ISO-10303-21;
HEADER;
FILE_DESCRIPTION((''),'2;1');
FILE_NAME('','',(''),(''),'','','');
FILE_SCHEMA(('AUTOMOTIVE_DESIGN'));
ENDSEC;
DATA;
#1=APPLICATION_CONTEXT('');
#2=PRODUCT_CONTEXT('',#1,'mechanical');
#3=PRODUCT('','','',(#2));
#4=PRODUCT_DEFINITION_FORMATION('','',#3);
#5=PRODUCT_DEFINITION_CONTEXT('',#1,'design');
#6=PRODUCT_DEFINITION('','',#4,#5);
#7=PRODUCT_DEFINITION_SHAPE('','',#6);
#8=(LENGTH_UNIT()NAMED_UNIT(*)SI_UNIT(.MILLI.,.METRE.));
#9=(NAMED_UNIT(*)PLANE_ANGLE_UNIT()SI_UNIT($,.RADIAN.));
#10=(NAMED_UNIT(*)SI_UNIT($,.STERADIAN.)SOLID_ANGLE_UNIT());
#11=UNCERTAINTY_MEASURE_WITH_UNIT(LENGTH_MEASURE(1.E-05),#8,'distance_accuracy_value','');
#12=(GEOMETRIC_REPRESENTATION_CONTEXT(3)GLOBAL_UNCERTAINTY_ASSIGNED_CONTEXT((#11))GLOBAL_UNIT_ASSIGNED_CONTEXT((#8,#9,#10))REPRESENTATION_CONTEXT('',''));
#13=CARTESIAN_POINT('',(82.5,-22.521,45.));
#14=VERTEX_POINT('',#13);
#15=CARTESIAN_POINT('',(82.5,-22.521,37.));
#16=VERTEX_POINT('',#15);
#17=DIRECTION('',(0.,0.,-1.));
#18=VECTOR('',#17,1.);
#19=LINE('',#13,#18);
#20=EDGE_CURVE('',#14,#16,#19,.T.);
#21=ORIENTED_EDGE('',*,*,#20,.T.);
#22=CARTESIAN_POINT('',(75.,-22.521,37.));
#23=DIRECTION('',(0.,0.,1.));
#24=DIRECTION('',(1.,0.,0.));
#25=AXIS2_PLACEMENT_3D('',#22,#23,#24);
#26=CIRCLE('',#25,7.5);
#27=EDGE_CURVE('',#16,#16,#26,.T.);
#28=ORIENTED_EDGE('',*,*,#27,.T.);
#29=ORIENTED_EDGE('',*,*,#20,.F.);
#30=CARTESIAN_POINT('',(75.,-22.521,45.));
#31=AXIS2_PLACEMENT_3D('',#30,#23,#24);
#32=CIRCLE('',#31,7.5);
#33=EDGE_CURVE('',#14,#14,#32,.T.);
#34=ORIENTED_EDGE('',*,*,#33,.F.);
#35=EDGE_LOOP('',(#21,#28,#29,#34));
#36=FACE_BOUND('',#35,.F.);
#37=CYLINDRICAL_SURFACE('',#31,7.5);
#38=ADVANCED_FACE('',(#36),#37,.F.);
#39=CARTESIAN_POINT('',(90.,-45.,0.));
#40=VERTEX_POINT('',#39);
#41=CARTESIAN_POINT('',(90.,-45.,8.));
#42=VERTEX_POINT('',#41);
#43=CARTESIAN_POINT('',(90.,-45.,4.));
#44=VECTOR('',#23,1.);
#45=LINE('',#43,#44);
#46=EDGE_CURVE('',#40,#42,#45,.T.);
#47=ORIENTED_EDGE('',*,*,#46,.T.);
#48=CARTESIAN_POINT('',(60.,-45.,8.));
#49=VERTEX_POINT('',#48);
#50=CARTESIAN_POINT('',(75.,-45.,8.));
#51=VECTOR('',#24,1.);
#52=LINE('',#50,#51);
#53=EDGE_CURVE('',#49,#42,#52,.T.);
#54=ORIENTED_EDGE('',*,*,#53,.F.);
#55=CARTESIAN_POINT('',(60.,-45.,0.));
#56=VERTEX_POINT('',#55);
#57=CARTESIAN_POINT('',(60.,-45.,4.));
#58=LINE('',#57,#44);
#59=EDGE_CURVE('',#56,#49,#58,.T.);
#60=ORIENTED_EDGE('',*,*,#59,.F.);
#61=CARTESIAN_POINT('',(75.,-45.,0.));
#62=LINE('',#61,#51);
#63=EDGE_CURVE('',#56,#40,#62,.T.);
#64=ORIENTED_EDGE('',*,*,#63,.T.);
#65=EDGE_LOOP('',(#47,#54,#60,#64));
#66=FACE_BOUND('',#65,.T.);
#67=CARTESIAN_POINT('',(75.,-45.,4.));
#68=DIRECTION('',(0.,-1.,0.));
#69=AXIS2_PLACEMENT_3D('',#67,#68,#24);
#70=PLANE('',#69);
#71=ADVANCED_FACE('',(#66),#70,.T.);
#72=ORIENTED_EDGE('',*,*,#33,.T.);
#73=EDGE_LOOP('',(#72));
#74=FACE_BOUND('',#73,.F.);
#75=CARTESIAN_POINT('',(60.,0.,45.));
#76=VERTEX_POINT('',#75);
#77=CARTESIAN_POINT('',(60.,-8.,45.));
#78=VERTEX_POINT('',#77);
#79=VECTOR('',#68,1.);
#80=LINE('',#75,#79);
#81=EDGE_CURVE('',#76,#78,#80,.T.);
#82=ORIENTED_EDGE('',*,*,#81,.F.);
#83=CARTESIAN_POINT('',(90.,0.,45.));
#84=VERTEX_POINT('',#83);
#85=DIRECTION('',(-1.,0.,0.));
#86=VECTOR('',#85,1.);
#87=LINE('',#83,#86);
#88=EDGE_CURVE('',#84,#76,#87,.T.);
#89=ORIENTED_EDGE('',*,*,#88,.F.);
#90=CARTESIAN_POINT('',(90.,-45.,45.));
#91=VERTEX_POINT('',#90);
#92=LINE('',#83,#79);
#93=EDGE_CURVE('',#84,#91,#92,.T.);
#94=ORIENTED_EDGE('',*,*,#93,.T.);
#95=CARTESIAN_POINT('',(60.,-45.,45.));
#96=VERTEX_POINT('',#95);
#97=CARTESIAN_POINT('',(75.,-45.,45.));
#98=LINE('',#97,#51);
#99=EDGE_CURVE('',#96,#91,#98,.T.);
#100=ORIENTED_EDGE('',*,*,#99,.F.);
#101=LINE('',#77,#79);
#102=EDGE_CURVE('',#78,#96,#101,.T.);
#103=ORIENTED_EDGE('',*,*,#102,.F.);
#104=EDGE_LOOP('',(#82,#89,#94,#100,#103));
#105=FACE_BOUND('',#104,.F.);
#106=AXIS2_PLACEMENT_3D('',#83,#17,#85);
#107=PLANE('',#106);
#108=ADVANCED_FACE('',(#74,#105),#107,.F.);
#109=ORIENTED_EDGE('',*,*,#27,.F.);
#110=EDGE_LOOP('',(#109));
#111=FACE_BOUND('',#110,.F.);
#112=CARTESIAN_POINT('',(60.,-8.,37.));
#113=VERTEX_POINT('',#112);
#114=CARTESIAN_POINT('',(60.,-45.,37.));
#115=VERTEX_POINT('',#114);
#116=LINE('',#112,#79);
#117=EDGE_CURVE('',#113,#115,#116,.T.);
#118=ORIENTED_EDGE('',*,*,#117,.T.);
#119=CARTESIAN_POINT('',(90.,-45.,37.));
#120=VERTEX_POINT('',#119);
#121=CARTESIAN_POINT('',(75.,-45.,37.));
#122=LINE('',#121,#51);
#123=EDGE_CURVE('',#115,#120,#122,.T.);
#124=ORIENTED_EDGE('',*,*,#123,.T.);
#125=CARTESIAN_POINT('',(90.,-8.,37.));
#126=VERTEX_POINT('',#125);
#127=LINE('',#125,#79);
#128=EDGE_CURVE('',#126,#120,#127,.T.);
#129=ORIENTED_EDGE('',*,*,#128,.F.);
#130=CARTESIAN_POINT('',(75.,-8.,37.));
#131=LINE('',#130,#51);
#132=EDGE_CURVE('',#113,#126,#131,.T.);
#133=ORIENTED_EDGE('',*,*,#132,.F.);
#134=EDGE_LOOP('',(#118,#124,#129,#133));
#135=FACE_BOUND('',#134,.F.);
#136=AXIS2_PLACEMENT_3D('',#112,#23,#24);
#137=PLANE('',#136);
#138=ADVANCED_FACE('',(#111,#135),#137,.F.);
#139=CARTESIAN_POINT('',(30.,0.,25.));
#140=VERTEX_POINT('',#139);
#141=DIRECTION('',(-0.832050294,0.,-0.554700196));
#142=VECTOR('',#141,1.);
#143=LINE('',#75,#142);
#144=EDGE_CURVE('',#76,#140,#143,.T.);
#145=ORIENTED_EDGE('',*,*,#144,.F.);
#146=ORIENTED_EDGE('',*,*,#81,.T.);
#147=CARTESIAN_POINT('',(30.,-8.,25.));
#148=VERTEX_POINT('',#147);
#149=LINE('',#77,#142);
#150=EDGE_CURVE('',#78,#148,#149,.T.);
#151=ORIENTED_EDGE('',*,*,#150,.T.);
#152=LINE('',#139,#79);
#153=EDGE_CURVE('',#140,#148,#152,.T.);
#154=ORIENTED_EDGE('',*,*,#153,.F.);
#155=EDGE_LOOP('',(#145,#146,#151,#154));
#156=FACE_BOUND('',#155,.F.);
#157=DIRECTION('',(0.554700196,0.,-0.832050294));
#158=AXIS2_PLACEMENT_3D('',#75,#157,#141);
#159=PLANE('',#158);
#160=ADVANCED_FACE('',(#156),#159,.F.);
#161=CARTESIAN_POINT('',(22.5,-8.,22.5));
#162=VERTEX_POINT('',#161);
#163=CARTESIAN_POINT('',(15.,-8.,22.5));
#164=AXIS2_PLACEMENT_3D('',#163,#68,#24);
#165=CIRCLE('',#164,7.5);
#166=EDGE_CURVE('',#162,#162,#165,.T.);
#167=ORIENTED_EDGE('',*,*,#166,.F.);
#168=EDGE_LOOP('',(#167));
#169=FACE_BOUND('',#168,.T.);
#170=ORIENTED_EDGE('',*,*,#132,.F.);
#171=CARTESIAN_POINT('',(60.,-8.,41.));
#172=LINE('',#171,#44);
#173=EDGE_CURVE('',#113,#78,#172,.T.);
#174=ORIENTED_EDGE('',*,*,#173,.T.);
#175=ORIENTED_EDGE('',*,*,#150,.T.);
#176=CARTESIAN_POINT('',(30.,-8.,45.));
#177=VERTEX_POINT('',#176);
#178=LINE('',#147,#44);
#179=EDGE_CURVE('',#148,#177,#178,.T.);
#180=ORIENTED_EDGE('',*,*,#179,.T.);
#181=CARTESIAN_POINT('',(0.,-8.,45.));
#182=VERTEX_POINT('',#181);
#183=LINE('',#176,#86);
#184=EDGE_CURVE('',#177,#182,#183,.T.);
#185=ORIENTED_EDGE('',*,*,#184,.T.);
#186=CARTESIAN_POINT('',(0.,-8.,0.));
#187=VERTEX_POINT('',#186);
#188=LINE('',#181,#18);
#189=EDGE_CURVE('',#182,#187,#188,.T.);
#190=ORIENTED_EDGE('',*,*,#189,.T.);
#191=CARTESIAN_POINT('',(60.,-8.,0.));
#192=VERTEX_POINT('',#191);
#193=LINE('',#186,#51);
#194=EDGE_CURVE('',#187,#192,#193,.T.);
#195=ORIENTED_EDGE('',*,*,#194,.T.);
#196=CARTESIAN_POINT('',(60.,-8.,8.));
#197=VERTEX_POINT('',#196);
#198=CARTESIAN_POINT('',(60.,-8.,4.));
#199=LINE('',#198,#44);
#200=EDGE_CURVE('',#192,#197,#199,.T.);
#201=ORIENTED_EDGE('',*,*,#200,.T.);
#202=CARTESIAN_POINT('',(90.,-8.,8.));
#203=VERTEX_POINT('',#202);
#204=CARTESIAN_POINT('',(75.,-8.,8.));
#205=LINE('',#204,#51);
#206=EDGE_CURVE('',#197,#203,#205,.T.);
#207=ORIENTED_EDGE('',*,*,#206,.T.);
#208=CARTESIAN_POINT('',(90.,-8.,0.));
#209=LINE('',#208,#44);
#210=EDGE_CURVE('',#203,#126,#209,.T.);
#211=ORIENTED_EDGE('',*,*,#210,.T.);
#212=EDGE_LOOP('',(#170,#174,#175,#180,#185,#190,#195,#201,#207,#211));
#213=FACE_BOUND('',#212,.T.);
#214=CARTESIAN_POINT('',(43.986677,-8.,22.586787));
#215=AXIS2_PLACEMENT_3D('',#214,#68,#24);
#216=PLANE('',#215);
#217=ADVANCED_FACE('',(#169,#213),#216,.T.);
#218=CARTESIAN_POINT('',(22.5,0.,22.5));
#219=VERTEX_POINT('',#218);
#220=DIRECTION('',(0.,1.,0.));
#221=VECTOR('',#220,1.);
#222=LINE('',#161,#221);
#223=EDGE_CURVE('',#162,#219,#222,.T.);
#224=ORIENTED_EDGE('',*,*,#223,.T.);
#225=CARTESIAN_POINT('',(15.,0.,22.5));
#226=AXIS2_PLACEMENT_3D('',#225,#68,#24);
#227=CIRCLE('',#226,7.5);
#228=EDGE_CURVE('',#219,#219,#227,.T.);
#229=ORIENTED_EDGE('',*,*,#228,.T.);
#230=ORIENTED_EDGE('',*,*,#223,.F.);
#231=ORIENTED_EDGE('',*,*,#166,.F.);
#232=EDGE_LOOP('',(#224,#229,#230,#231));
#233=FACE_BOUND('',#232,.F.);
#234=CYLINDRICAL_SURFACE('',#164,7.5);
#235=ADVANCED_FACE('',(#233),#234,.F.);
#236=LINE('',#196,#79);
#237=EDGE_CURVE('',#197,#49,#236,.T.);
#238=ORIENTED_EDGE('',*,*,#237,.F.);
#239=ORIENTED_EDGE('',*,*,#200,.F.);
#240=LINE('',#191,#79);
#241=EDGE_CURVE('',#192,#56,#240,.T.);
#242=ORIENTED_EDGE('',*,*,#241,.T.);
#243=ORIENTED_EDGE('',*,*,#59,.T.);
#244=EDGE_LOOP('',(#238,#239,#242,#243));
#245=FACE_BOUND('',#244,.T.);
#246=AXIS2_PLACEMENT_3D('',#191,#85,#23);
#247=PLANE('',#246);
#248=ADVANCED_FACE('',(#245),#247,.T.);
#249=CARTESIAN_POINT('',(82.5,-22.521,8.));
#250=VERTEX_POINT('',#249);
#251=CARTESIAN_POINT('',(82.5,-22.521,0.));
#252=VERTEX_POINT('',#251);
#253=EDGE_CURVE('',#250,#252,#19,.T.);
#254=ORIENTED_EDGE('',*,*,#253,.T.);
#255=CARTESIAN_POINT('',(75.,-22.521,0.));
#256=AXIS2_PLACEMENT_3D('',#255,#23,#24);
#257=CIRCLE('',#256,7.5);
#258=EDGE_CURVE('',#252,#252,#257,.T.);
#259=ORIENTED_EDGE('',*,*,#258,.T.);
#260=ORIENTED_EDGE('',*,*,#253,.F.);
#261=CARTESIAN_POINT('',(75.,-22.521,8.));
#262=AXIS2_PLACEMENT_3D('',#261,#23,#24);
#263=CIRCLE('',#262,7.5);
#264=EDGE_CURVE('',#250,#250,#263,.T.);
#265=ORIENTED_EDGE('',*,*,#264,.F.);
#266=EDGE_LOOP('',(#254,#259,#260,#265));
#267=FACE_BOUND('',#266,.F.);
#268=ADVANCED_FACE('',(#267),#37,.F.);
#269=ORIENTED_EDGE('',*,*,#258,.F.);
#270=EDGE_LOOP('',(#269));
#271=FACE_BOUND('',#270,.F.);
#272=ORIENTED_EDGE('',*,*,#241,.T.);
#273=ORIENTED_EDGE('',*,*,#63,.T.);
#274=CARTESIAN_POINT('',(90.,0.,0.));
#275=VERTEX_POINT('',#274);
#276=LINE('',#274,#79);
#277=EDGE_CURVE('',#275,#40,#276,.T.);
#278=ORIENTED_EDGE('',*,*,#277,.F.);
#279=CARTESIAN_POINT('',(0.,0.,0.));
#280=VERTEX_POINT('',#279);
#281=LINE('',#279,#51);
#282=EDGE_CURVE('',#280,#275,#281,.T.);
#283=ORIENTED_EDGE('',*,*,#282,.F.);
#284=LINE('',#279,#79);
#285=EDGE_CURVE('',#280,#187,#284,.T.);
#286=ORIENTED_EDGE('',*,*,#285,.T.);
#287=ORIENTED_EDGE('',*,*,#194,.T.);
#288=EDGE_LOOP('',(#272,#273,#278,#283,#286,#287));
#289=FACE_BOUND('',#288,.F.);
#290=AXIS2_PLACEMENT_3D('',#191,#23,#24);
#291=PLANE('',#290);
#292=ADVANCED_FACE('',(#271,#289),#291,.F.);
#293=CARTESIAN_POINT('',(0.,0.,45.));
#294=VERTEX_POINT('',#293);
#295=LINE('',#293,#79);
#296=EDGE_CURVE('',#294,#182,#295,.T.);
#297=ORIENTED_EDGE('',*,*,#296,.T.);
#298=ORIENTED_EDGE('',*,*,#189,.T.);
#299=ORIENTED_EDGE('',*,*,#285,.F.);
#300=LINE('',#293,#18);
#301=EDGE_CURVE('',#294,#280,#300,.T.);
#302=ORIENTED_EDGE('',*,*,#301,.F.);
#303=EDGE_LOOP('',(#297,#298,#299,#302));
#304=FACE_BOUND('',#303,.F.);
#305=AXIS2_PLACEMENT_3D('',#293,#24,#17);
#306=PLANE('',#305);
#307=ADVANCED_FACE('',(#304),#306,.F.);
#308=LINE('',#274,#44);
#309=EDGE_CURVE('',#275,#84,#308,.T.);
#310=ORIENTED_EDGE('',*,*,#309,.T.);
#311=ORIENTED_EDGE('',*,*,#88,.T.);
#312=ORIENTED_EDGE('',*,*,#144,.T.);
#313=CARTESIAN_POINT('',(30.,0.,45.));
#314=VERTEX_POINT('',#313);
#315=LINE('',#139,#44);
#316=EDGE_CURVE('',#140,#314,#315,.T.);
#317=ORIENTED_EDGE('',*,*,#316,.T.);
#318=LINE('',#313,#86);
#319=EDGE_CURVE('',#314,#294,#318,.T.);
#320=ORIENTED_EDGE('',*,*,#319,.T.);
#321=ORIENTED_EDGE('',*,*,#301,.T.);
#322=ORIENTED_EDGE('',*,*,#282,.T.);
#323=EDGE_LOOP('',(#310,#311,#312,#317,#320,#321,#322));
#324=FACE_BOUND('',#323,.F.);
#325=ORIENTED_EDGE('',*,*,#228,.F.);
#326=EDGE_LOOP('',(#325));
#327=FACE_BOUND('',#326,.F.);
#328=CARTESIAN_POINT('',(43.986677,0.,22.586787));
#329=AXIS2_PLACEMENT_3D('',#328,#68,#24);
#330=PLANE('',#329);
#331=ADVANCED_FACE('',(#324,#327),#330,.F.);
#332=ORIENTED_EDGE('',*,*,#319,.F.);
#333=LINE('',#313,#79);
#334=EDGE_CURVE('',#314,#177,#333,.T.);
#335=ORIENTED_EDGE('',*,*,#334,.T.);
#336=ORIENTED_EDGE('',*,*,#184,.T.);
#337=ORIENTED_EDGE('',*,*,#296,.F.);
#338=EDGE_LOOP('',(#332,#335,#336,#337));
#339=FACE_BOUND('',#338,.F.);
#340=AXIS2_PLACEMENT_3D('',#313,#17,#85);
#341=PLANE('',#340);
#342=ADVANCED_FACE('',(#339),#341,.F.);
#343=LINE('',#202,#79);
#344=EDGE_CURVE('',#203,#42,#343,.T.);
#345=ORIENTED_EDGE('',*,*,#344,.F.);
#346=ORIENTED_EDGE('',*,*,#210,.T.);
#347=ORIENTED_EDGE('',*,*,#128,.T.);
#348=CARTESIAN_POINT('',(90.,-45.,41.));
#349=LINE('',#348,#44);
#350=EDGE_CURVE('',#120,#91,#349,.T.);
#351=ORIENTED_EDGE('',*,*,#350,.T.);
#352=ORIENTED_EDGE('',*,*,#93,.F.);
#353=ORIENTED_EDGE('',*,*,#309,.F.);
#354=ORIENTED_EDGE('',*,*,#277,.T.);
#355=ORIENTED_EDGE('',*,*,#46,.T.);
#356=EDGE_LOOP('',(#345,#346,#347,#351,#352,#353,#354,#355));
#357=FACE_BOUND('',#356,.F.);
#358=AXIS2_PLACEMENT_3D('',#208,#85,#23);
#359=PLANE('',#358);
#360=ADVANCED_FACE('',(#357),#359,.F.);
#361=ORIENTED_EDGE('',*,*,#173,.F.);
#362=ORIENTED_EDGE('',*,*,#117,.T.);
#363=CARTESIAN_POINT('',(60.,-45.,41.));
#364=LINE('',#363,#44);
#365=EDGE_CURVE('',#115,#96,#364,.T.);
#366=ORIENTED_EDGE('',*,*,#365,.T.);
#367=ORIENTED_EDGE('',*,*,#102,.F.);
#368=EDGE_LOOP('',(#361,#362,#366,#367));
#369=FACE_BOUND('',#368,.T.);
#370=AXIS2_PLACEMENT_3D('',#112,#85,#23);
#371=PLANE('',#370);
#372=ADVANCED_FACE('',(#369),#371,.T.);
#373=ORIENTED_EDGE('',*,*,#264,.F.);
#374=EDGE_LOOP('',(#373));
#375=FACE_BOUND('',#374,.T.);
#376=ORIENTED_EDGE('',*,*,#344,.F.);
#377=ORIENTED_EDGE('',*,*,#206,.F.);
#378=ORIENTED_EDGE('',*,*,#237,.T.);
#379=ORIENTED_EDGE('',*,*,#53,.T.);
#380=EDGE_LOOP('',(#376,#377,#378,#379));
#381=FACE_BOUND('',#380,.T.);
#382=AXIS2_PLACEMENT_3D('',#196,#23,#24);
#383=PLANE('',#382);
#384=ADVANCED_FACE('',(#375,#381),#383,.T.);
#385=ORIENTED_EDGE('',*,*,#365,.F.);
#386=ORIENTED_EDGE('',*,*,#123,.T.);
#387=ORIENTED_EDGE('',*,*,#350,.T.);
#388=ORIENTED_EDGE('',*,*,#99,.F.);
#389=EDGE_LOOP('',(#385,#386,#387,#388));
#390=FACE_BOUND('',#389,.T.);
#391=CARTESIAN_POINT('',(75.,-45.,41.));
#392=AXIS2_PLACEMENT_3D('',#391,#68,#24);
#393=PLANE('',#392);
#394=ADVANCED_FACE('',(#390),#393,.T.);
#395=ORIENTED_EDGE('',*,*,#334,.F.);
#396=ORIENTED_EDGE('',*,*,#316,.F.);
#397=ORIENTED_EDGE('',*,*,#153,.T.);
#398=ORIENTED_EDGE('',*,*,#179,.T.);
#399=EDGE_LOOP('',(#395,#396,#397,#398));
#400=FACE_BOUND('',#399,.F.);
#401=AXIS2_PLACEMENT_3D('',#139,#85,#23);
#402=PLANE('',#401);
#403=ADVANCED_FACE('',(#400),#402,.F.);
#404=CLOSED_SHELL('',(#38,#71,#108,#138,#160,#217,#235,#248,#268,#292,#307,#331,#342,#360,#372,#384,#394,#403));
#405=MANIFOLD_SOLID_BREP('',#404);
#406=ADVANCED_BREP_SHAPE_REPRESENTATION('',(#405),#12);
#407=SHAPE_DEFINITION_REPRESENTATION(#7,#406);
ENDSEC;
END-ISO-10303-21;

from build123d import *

# Parameters (mm, degrees)
F1_DEPTH = 8
F2_W     = 30
F2_H     = 8
F3_DEPTH = 37
F4_R     = 7.5
F5_DEPTH = 45.001
F6_R     = 7.5
F7_DEPTH = 8


with BuildPart() as f1:
    # F0 (on Front) → F1 (new body)
    with BuildSketch(Plane.XZ):
        Polygon((0, 45), (0, 0), (90, 0), (90, 45), (60, 45), (30, 25), (30, 45), align=None)
    extrude(amount=F1_DEPTH)

    # F2 (on face) → F3 (join)
    with BuildSketch(Plane.XZ.offset(8)):
        with Locations((75, 4)):
            Rectangle(F2_W, F2_H)
        with Locations((75, 41)):
            Rectangle(F2_W, F2_H)
    extrude(amount=F3_DEPTH)

    # F4 (on face) → F5 (cut, through all)
    with BuildSketch(Plane.XY.offset(45)):
        with Locations((75, -22.521)):
            Circle(F4_R)
    extrude(amount=-F5_DEPTH, mode=Mode.SUBTRACT)

    # F6 (on face) → F7 (cut, through all)
    with BuildSketch(Plane.XZ.offset(8)):
        with Locations((15, 22.5)):
            Circle(F6_R)
    extrude(amount=-F7_DEPTH, mode=Mode.SUBTRACT)


solid = f1.part
